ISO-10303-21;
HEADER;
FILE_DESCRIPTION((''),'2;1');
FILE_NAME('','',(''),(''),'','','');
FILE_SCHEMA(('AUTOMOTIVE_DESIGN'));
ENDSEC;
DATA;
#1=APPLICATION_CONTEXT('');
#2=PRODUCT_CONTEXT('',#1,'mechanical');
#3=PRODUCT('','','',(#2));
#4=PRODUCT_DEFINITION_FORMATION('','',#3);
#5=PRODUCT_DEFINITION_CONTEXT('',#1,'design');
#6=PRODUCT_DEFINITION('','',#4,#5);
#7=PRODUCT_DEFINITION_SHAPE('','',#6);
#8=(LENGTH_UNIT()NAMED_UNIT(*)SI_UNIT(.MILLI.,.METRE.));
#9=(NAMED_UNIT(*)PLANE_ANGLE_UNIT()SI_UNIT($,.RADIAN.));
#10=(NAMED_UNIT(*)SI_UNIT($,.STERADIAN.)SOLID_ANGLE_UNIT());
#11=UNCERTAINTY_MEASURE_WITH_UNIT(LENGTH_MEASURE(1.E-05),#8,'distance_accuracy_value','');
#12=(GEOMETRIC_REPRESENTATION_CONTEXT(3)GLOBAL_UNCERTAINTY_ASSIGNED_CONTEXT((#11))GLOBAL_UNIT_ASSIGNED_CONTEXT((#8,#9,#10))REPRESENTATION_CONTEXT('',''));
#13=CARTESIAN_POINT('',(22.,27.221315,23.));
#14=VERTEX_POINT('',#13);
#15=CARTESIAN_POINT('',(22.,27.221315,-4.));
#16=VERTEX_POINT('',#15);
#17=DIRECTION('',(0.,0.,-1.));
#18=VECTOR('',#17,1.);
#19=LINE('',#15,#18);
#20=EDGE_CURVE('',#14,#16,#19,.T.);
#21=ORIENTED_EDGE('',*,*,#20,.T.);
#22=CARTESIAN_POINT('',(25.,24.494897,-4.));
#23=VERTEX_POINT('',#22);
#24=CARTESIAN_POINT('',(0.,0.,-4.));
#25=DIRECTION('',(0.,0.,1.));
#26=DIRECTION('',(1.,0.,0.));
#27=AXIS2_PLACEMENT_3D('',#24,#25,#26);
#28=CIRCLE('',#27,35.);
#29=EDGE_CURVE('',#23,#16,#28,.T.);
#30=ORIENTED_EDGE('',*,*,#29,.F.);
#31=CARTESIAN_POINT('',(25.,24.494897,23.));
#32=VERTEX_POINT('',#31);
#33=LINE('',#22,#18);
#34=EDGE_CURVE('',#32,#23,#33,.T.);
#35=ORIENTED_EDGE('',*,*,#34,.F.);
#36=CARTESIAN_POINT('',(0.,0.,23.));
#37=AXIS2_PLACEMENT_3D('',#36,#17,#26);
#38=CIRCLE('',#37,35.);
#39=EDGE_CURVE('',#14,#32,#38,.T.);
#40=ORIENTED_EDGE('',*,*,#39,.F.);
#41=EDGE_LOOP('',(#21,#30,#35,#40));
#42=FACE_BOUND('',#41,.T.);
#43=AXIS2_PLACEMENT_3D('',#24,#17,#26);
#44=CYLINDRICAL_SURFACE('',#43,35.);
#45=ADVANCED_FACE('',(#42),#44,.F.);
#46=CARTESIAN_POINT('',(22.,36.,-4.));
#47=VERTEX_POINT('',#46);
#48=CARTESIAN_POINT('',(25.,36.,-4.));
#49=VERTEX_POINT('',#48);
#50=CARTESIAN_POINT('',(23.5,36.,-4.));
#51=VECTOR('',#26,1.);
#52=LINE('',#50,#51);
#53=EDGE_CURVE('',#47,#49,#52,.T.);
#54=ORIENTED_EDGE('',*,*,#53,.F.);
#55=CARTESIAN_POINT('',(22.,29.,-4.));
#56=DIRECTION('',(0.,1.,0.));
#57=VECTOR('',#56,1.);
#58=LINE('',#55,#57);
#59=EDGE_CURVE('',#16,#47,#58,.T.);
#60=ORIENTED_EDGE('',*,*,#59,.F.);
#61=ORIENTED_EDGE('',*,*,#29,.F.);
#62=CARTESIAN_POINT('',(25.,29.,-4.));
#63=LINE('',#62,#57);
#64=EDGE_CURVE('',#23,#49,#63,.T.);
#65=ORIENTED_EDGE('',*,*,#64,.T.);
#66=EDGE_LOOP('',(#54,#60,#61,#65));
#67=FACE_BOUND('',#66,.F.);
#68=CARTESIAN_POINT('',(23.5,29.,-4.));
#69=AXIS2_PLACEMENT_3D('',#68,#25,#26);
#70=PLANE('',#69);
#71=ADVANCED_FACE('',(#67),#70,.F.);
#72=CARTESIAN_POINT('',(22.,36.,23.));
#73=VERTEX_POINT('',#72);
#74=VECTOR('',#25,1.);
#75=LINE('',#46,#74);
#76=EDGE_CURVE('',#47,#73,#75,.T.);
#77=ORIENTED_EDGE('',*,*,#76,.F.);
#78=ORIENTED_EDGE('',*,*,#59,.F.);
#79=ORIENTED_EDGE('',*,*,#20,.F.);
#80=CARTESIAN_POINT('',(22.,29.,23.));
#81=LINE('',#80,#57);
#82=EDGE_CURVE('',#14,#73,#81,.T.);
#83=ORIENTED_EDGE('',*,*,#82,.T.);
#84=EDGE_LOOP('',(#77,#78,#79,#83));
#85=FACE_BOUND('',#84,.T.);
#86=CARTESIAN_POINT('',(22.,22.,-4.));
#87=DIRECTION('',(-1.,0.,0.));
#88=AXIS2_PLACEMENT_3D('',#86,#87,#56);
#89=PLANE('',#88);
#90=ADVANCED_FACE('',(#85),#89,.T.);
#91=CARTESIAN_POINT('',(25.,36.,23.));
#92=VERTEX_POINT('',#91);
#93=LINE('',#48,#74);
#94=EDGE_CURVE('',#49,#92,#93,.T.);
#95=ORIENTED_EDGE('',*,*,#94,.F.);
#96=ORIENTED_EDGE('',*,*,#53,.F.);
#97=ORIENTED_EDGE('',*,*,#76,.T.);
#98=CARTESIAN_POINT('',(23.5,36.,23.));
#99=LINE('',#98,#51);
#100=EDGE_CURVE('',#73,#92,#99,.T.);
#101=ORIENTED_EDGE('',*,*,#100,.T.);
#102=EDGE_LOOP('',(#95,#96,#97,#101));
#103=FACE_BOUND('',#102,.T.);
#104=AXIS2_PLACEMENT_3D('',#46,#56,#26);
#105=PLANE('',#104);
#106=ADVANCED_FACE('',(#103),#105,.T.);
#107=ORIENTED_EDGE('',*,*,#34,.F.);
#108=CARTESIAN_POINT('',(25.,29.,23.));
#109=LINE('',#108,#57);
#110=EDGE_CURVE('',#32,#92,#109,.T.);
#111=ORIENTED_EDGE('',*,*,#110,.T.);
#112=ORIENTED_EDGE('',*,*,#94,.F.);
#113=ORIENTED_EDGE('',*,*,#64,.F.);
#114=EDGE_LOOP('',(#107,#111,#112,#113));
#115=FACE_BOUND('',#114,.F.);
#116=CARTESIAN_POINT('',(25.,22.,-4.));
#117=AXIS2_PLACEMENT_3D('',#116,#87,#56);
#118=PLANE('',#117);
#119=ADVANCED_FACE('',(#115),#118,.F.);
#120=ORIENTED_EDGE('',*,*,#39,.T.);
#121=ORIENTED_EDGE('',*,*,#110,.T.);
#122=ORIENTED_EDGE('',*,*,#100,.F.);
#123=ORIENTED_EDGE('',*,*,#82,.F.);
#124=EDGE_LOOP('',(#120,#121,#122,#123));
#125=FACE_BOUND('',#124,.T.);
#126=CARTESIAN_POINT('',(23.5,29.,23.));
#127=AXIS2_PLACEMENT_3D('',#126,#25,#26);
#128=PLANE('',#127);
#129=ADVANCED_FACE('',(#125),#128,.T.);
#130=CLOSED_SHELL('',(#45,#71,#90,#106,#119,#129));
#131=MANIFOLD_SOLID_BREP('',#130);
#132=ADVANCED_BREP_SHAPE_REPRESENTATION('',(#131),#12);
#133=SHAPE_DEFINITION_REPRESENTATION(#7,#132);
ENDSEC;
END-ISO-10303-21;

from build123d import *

# Parameters (mm, degrees)
CYLINDER1824_R     = 35
CYLINDER1824_DEPTH = 32
BOX721_W           = 3
BOX721_H           = 14
BOX721_DEPTH       = 27


with BuildPart() as v_lec1824:
    # Cylinder1824 → Cylinder1824 (new body)
    with BuildSketch(Plane.XY.offset(-4)):
        Circle(CYLINDER1824_R)
    extrude(amount=CYLINDER1824_DEPTH)


with BuildPart() as cut535:
    # Box721 → Box721 (new body)
    with BuildSketch(Plane(origin=(22, 22, -4), x_dir=(1, 0, 0), z_dir=(0, 0, 1))):
        with Locations((1.5, 7)):
            Rectangle(BOX721_W, BOX721_H)
    extrude(amount=BOX721_DEPTH)

    # Cut535: cut Válec1824
    add(v_lec1824.part, mode=Mode.SUBTRACT)


solid = cut535.part
